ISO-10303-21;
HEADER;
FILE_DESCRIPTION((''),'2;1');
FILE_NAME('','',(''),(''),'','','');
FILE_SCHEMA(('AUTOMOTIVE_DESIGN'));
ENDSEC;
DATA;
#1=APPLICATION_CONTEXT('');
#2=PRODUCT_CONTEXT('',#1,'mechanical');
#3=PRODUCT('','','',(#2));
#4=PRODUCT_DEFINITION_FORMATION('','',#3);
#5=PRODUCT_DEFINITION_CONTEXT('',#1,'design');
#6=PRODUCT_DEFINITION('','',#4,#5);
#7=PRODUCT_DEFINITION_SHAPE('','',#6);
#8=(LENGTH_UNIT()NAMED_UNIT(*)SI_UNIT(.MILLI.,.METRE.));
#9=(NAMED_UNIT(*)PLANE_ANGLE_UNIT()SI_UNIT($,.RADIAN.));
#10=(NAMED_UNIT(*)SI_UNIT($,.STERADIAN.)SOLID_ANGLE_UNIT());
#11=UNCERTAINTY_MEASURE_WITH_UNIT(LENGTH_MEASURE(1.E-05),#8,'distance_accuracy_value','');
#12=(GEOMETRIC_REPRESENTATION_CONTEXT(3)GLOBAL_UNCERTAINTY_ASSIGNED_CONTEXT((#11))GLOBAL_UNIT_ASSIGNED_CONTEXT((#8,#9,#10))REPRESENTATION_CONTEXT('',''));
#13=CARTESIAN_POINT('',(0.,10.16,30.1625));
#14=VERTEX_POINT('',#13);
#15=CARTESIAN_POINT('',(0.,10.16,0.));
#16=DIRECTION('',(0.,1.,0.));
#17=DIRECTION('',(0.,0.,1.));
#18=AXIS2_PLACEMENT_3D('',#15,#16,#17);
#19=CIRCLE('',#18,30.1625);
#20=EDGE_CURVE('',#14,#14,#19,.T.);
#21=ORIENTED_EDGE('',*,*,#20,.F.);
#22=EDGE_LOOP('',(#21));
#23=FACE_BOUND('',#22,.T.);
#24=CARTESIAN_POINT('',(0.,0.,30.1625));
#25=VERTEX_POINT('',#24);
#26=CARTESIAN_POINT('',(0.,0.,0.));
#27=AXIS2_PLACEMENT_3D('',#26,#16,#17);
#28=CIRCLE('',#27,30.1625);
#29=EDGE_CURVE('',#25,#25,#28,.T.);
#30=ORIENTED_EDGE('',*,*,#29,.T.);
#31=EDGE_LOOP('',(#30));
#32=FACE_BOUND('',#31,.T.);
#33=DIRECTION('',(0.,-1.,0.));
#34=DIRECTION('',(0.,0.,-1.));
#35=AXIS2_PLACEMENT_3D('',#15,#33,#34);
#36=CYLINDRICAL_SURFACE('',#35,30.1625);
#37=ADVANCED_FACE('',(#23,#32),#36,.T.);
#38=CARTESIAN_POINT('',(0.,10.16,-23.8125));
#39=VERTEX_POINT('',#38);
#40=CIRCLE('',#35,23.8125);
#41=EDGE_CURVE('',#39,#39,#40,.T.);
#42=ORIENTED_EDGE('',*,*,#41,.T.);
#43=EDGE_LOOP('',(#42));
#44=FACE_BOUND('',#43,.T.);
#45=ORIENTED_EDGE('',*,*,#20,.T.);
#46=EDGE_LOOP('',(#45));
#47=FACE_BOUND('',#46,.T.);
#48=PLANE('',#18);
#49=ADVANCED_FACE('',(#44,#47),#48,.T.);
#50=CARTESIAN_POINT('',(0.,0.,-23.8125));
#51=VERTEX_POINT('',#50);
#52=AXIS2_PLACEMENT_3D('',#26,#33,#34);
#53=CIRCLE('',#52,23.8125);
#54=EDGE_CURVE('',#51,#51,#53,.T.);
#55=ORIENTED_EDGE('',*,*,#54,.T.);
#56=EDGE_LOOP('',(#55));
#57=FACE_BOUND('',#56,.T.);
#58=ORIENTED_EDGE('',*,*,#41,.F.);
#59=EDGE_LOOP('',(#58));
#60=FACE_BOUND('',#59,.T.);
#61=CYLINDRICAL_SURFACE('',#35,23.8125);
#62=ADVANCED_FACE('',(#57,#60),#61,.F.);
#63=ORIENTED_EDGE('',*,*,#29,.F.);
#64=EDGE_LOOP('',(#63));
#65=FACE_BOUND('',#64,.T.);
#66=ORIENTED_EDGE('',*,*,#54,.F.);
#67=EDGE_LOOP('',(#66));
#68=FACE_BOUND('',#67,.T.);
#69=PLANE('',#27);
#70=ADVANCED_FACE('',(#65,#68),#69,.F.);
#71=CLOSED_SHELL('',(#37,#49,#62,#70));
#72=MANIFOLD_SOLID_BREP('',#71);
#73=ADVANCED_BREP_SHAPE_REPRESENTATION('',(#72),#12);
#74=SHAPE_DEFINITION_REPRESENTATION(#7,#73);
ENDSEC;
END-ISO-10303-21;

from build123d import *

# Parameters (mm, degrees)
SKETCH1_R           = 30.1625
BOSS_EXTRUDE1_DEPTH = 10.16
SKETCH2_R           = 23.8125
CUT_EXTRUDE1_DEPTH  = 11.16


with BuildPart() as part:
    # Sketch1 → Boss-Extrude1 (new body)
    with BuildSketch(Plane(origin=(0, 0, 0), x_dir=(1, 0, 0), z_dir=(0, 1, 0))):
        Circle(SKETCH1_R)
    extrude(amount=BOSS_EXTRUDE1_DEPTH)

    # Sketch2 → Cut-Extrude1 (cut, through all)
    with BuildSketch(Plane(origin=(0, 0, 0), x_dir=(-1, 0, 0), z_dir=(0, -1, 0))):
        Circle(SKETCH2_R)
    extrude(amount=-CUT_EXTRUDE1_DEPTH, mode=Mode.SUBTRACT)


solid = part.part
